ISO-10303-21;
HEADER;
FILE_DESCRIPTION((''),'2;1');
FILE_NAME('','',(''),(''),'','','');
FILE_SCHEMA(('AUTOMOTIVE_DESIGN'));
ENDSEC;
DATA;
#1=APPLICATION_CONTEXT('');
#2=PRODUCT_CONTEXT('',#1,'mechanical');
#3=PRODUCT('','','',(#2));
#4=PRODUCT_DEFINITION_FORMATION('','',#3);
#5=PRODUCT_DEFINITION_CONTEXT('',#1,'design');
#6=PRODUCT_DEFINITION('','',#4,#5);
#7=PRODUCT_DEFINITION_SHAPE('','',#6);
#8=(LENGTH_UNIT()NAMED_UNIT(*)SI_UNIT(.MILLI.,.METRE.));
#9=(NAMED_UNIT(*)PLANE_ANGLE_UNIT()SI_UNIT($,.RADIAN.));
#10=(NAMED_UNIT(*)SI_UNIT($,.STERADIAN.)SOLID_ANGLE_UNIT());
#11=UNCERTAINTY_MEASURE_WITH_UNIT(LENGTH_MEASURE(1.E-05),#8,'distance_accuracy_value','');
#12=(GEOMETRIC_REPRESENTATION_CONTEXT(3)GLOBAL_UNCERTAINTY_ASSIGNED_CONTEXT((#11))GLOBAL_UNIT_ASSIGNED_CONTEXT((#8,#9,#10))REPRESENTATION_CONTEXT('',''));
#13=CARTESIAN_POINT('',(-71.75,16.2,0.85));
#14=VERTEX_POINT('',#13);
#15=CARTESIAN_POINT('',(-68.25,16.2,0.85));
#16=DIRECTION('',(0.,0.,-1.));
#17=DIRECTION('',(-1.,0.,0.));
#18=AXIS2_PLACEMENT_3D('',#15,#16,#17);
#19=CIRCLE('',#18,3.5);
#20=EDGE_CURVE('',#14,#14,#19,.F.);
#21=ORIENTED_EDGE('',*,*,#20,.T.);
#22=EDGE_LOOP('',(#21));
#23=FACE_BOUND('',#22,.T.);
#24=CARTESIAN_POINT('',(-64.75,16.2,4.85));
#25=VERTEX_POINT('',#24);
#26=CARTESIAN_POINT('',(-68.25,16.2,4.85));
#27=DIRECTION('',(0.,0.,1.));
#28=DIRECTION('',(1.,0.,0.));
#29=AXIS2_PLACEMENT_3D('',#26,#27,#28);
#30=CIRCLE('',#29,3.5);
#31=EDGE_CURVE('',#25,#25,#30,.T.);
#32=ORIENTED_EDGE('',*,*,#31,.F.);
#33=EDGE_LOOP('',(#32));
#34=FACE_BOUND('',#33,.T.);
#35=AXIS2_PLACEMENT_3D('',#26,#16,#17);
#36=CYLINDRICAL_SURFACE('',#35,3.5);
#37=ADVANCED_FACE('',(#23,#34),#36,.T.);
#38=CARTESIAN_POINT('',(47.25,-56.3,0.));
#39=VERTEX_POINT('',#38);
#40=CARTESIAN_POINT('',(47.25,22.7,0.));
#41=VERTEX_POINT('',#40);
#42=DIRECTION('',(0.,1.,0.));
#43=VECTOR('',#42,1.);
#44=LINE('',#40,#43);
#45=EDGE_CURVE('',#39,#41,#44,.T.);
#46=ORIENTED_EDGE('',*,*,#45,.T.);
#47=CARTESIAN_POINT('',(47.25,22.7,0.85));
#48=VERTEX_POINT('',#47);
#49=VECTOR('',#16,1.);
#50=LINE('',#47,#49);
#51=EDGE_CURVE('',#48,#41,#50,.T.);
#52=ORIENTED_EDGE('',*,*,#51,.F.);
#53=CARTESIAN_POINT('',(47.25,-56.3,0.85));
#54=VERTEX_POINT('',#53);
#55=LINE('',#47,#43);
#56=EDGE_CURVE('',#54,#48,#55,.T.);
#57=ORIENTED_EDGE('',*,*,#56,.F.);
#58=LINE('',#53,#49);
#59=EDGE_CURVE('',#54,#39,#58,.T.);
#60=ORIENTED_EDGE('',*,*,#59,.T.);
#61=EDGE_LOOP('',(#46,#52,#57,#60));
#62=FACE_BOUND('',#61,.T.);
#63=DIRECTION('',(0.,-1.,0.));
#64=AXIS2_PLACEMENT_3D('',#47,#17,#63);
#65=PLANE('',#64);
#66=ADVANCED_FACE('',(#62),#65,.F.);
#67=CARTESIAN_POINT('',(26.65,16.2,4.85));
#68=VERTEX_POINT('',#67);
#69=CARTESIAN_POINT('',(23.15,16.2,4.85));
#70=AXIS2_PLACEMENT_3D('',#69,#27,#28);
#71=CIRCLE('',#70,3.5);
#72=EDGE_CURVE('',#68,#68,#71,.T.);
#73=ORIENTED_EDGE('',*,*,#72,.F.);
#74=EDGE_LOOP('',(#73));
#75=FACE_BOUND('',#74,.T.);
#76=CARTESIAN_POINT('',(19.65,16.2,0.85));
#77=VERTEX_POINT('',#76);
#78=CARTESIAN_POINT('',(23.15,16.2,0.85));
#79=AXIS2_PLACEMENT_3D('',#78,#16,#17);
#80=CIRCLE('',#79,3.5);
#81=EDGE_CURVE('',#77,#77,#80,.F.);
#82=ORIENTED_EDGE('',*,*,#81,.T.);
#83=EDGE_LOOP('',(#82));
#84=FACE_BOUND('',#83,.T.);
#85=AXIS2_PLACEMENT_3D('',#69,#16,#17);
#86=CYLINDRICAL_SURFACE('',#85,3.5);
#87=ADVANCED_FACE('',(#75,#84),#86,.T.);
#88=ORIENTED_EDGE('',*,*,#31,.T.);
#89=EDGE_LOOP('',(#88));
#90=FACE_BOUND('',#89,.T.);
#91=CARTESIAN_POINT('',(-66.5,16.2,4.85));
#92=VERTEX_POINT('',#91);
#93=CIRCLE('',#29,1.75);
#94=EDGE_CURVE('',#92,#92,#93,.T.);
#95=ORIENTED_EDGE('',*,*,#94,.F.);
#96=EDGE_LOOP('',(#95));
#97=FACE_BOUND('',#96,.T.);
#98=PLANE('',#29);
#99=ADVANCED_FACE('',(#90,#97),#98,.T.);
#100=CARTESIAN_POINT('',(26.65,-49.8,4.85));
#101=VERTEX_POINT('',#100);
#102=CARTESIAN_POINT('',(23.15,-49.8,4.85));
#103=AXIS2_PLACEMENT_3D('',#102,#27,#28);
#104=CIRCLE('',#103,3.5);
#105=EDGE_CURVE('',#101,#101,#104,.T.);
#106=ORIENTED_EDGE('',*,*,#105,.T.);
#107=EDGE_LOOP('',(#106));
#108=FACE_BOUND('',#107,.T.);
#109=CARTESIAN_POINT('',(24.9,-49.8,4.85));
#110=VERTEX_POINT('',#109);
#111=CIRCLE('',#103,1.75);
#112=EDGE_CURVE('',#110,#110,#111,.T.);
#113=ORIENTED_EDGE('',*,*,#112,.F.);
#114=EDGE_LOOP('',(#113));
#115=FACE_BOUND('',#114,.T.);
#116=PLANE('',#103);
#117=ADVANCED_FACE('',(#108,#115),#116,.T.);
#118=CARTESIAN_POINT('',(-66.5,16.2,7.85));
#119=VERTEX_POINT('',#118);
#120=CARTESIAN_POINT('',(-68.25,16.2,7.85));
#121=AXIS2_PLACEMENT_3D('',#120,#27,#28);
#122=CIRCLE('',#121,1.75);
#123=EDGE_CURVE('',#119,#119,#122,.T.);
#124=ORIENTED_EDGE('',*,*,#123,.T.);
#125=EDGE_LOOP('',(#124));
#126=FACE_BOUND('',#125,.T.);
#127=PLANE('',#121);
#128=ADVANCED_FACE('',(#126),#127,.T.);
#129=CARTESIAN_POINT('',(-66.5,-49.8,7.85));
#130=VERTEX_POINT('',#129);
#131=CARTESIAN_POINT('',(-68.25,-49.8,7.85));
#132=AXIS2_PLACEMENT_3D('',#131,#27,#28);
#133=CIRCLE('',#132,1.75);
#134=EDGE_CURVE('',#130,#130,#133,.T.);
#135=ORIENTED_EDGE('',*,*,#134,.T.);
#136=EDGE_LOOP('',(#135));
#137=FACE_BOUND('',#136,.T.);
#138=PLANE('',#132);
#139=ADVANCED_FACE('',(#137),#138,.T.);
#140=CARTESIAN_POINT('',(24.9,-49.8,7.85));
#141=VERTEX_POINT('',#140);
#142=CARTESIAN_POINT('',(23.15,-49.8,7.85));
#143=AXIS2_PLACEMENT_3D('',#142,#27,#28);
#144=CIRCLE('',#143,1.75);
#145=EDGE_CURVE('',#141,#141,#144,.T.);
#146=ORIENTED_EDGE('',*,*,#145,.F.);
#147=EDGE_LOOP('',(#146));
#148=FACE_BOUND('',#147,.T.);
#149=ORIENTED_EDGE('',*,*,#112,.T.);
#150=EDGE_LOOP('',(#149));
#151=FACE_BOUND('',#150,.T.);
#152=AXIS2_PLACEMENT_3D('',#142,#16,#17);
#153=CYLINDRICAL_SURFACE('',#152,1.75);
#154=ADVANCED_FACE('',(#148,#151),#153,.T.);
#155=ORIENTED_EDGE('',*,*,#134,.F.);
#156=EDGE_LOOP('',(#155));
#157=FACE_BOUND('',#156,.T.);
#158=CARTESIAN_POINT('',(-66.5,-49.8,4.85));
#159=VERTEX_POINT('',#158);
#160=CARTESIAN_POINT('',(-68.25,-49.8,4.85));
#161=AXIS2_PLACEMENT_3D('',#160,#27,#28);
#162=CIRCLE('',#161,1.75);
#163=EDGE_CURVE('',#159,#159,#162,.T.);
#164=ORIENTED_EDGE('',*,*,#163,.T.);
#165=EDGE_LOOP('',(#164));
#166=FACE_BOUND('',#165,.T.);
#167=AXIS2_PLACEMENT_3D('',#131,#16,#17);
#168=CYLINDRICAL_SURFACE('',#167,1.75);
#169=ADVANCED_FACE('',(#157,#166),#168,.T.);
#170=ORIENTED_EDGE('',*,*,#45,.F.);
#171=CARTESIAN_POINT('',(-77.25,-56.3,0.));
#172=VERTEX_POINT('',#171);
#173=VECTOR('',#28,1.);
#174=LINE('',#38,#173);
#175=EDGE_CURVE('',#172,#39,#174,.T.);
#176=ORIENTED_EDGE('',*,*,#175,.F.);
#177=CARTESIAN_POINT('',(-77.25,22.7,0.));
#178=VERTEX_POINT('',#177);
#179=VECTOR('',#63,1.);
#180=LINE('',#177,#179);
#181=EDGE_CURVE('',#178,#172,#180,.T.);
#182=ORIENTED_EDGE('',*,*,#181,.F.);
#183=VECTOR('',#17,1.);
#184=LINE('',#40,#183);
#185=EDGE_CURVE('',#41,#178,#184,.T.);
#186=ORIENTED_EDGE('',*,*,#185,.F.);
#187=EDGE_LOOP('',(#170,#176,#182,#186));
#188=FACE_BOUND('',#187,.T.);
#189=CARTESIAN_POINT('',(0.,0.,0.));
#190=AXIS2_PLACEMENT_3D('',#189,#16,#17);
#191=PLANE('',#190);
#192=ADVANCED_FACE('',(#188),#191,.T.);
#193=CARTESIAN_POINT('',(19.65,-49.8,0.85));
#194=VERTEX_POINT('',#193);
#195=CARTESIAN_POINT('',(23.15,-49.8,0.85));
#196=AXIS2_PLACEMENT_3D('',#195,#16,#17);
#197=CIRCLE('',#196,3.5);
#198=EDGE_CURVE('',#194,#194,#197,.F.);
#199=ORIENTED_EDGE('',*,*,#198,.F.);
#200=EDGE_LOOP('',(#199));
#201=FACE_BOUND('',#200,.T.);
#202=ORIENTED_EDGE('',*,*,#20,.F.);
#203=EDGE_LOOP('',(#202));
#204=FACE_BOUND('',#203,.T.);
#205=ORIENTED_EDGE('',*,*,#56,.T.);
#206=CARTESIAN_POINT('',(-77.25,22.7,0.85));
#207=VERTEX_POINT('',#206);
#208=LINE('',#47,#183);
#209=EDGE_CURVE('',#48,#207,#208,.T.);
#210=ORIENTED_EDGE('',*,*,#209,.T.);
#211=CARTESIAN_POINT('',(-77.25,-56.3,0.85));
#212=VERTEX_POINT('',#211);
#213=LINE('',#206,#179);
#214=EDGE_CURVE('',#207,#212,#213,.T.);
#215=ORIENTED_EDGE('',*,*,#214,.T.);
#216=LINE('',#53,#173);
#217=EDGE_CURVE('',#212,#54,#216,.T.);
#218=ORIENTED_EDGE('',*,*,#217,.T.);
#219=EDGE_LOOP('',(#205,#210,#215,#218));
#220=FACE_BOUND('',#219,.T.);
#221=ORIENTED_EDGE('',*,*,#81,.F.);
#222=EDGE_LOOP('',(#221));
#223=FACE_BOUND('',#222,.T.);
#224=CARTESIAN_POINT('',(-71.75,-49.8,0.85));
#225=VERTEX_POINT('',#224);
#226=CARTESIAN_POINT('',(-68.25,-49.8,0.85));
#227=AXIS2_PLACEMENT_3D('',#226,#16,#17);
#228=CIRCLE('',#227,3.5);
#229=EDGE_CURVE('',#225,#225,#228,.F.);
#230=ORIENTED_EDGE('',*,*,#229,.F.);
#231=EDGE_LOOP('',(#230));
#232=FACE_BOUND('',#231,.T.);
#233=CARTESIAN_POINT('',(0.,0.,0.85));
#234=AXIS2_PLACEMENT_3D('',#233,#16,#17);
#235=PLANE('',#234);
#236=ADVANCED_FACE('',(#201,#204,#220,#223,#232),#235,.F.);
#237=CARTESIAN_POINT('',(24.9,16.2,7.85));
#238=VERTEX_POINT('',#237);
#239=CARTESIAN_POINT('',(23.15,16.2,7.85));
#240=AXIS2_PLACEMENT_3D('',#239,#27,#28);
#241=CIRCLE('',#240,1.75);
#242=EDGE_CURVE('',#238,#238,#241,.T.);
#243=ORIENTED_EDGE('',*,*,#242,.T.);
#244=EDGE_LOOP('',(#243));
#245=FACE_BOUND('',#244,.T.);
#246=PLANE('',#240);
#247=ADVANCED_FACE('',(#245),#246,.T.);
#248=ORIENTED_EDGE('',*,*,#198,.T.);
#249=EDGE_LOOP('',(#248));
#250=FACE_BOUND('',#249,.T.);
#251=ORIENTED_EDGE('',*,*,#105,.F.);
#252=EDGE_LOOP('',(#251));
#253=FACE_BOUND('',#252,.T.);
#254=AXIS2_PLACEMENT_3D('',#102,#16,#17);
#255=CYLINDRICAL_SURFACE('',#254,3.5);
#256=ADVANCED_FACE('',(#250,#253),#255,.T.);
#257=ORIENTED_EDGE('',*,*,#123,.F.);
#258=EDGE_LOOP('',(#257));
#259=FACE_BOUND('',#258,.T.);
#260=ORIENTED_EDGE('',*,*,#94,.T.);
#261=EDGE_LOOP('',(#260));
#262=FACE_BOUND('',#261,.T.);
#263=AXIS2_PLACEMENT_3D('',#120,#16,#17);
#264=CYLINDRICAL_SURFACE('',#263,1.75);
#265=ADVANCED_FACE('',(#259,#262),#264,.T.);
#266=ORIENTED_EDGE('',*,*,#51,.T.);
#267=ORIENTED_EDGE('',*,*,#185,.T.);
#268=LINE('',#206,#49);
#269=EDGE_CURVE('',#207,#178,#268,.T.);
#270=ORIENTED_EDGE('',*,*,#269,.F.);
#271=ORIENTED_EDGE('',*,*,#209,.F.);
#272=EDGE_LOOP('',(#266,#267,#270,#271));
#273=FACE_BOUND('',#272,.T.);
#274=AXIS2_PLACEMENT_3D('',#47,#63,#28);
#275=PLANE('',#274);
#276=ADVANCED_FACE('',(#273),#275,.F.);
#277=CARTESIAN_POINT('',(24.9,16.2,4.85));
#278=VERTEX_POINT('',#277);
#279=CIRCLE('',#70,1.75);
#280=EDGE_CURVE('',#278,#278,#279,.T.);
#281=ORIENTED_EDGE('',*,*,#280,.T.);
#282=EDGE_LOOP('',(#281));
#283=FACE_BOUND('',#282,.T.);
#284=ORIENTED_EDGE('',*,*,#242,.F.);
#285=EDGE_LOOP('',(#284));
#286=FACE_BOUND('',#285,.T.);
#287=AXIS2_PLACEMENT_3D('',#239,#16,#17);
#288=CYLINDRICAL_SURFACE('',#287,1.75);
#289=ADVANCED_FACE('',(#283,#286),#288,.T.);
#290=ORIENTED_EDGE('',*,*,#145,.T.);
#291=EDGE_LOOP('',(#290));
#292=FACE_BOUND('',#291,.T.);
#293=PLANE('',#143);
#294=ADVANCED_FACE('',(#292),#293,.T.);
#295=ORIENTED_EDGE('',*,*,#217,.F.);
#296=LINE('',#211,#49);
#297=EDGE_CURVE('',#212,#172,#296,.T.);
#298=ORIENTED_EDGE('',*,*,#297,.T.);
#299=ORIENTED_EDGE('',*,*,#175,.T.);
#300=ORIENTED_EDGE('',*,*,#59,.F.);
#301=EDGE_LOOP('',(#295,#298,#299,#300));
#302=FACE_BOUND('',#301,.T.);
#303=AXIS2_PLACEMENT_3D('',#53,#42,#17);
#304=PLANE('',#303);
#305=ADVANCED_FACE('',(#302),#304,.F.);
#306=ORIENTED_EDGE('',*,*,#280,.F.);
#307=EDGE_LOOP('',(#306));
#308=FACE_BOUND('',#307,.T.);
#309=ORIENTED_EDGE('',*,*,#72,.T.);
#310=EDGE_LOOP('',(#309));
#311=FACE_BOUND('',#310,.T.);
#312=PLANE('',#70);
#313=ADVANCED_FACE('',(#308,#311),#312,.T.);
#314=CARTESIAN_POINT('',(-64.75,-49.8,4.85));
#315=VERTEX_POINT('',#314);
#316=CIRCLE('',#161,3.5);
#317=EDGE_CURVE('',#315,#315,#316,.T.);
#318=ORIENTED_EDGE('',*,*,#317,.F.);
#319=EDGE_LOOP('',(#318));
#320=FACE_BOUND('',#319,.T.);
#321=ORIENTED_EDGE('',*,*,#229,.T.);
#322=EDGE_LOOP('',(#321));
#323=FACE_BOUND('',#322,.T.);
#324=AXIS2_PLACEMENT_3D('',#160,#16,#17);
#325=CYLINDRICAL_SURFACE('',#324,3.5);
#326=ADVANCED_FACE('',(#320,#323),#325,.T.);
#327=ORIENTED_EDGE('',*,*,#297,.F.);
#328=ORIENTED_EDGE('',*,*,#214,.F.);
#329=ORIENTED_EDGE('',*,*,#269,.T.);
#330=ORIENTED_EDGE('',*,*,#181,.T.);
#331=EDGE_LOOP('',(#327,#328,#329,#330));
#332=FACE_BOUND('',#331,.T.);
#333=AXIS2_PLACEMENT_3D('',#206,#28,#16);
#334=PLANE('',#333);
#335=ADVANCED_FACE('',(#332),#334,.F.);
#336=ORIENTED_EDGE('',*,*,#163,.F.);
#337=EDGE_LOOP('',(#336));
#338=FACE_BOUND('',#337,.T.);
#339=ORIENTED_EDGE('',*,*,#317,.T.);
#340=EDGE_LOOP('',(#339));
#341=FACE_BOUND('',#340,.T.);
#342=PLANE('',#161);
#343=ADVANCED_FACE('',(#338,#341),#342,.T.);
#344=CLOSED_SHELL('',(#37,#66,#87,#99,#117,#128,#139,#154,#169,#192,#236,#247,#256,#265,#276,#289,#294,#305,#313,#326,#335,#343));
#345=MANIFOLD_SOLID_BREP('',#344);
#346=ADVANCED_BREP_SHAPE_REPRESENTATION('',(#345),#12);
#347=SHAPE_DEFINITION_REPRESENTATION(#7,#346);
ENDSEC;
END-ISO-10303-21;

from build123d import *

# Parameters (mm, degrees)
SKETCH1_W           = 124.5
SKETCH1_H           = 79
BOSS_EXTRUDE1_DEPTH = 0.85
SKETCH2_R           = 3.5
BOSS_EXTRUDE2_DEPTH = 4
SKETCH3_R           = 1.75
BOSS_EXTRUDE3_DEPTH = 3


with BuildPart() as part:
    # Sketch1 → Boss-Extrude1 (new body)
    with BuildSketch(Plane.XY):
        with Locations((-15, -16.8)):
            Rectangle(SKETCH1_W, SKETCH1_H)
    extrude(amount=BOSS_EXTRUDE1_DEPTH)

    # Sketch2 → Boss-Extrude2 (add)
    with BuildSketch(Plane.XY.offset(0.85)):
        with Locations(Location((-68.25, 16.2, 0), (0, 0, 180))):
            Circle(SKETCH2_R)
        with Locations(Location((23.15, 16.2, 0), (0, 0, 180))):
            Circle(SKETCH2_R)
        with Locations(Location((23.15, -49.8, 0), (0, 0, 180))):
            Circle(SKETCH2_R)
        with Locations(Location((-68.25, -49.8, 0), (0, 0, 180))):
            Circle(SKETCH2_R)
    extrude(amount=BOSS_EXTRUDE2_DEPTH)

    # Sketch3 → Boss-Extrude3 (add)
    with BuildSketch(Plane.XY.offset(4.85)):
        with Locations((-68.25, 16.2)):
            Circle(SKETCH3_R)
        with Locations((23.15, 16.2)):
            Circle(SKETCH3_R)
        with Locations((23.15, -49.8)):
            Circle(SKETCH3_R)
        with Locations((-68.25, -49.8)):
            Circle(SKETCH3_R)
    extrude(amount=BOSS_EXTRUDE3_DEPTH)


solid = part.part
